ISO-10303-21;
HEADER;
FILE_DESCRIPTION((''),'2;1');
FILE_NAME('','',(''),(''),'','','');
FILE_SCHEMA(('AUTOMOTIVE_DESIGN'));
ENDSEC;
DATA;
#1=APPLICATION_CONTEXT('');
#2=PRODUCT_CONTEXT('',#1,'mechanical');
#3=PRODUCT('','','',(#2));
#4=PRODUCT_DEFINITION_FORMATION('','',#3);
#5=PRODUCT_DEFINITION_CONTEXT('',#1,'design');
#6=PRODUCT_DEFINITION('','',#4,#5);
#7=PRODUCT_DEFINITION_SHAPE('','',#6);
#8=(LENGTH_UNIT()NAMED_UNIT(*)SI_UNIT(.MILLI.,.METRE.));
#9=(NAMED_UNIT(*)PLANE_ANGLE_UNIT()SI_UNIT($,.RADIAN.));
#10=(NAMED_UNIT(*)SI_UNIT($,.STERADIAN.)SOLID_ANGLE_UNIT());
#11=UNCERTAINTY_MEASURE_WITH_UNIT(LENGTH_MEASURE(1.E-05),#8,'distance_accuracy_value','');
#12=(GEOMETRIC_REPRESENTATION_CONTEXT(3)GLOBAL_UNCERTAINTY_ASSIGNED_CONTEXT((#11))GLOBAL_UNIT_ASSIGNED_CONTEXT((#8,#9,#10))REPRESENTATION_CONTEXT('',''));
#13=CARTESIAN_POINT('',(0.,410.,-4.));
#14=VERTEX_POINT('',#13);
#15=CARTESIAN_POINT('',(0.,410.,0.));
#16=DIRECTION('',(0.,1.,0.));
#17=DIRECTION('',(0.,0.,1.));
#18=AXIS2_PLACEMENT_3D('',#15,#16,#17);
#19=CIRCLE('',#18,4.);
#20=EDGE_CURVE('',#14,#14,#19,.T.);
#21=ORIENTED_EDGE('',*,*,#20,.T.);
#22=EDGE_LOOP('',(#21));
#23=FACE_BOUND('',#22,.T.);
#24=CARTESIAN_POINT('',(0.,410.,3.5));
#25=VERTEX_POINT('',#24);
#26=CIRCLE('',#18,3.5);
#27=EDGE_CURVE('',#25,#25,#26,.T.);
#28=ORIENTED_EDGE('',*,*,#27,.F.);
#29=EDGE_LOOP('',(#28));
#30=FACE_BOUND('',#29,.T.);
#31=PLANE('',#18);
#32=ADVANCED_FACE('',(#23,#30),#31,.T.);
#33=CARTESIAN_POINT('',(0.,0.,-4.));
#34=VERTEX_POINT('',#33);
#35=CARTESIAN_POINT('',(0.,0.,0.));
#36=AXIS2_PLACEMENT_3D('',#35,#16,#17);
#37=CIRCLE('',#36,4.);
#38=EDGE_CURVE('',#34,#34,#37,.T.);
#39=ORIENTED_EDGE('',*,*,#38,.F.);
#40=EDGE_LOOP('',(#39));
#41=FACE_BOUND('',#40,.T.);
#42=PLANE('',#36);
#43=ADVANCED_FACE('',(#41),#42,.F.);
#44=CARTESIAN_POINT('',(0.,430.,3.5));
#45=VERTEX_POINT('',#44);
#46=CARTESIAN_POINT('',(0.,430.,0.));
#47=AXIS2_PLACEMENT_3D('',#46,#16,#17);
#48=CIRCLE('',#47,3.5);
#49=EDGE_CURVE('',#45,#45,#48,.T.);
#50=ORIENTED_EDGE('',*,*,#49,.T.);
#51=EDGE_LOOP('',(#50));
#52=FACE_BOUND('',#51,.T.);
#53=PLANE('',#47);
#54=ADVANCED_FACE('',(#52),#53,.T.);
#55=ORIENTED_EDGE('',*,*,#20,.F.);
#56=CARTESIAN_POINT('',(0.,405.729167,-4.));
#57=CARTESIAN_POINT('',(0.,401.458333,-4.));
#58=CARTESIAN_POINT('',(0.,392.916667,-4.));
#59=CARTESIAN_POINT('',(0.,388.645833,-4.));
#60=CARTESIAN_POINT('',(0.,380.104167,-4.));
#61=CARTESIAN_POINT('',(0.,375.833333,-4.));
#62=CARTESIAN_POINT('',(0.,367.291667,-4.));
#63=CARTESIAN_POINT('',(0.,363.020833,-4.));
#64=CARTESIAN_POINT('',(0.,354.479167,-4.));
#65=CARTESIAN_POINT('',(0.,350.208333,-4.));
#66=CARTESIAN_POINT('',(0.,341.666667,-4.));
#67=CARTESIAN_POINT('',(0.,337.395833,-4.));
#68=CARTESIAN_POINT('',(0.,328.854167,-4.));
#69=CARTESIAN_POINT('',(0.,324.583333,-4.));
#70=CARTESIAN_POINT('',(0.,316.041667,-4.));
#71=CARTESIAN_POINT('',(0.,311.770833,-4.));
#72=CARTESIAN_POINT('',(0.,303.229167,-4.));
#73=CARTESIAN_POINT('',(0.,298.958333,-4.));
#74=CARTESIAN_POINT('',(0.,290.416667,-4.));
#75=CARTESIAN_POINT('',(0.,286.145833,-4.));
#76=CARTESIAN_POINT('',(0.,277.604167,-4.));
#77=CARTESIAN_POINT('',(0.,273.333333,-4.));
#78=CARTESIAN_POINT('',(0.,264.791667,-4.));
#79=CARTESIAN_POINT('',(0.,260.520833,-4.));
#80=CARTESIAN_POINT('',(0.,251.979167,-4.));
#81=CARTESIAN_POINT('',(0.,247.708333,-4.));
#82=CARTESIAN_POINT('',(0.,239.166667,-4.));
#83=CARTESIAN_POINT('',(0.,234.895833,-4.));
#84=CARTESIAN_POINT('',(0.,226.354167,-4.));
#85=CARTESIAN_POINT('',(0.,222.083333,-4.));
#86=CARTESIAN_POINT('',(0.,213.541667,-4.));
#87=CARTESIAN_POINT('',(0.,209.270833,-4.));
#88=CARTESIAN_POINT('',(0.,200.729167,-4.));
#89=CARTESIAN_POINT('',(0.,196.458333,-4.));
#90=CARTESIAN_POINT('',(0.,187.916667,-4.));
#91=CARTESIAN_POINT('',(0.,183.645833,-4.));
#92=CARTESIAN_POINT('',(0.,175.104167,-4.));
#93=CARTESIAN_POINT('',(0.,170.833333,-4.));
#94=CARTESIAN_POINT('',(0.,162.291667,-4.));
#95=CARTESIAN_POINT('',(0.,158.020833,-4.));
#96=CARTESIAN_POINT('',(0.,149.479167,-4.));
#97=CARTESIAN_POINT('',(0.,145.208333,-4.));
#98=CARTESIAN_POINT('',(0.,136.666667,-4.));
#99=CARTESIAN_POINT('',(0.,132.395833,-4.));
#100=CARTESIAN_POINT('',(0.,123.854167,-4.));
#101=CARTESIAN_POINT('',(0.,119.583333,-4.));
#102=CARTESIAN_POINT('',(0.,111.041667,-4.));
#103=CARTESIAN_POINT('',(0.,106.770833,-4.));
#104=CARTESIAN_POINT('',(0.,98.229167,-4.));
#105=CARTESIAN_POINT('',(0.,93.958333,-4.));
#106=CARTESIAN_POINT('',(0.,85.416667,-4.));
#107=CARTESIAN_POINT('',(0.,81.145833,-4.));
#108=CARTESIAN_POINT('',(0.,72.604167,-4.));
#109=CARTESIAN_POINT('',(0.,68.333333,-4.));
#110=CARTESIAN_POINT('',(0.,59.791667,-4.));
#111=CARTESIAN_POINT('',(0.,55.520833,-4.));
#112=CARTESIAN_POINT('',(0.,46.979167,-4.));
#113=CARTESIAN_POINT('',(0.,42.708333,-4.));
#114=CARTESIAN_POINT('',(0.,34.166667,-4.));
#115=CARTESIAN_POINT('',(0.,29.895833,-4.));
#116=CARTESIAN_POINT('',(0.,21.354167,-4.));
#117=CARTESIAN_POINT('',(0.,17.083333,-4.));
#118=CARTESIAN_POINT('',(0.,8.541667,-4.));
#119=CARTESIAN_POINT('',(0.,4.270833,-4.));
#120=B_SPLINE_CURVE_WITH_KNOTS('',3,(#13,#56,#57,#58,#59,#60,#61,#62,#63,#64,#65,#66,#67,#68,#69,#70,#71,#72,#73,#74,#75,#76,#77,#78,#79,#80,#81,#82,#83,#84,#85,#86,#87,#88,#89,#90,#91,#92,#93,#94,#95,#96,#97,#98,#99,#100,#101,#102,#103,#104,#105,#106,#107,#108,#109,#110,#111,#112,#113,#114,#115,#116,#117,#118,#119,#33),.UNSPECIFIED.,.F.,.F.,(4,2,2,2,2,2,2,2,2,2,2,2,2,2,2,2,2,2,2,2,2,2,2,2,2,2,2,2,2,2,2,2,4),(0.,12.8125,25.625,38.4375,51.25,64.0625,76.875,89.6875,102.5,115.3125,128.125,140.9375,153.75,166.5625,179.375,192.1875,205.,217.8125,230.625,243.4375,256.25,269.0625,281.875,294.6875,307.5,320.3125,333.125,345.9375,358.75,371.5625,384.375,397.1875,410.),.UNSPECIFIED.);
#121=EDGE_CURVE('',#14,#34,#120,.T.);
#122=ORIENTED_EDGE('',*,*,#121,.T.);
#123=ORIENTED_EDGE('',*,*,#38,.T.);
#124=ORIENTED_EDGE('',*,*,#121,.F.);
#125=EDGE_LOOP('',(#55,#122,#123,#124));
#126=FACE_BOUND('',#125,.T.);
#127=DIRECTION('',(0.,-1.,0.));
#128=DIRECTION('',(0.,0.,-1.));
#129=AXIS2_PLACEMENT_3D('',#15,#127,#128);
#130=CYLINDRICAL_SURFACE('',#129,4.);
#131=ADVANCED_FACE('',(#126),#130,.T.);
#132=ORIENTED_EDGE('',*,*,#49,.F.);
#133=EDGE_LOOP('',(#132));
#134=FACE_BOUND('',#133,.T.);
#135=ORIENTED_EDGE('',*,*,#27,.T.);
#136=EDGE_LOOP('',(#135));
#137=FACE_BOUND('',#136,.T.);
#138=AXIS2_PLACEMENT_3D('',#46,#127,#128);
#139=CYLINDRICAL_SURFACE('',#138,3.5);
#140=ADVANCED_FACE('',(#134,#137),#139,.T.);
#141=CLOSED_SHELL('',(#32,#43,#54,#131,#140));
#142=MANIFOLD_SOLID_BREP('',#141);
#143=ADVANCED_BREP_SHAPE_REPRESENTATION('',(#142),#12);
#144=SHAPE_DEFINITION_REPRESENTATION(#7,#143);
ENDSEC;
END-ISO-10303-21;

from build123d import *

# Parameters (mm, degrees)
ESQUISSE1_R        = 4
BOSS_EXTRU_1_DEPTH = 410
ESQUISSE2_R        = 3.5
BOSS_EXTRU_2_DEPTH = 20


with BuildPart() as part:
    # Esquisse1 → Boss.-Extru.1 (new body)
    with BuildSketch(Plane(origin=(0, 0, 0), x_dir=(1, 0, 0), z_dir=(0, 1, 0))):
        with Locations(Location((0, 0, 0), (0, 0, 90))):
            Circle(ESQUISSE1_R)
    extrude(amount=BOSS_EXTRU_1_DEPTH)

    # Esquisse2 → Boss.-Extru.2 (add)
    with BuildSketch(Plane(origin=(0, 410, 0), x_dir=(1, 0, 0), z_dir=(0, 1, 0))):
        with Locations(Location((0, 0, 0), (0, 0, 270))):
            Circle(ESQUISSE2_R)
    extrude(amount=BOSS_EXTRU_2_DEPTH)


solid = part.part
